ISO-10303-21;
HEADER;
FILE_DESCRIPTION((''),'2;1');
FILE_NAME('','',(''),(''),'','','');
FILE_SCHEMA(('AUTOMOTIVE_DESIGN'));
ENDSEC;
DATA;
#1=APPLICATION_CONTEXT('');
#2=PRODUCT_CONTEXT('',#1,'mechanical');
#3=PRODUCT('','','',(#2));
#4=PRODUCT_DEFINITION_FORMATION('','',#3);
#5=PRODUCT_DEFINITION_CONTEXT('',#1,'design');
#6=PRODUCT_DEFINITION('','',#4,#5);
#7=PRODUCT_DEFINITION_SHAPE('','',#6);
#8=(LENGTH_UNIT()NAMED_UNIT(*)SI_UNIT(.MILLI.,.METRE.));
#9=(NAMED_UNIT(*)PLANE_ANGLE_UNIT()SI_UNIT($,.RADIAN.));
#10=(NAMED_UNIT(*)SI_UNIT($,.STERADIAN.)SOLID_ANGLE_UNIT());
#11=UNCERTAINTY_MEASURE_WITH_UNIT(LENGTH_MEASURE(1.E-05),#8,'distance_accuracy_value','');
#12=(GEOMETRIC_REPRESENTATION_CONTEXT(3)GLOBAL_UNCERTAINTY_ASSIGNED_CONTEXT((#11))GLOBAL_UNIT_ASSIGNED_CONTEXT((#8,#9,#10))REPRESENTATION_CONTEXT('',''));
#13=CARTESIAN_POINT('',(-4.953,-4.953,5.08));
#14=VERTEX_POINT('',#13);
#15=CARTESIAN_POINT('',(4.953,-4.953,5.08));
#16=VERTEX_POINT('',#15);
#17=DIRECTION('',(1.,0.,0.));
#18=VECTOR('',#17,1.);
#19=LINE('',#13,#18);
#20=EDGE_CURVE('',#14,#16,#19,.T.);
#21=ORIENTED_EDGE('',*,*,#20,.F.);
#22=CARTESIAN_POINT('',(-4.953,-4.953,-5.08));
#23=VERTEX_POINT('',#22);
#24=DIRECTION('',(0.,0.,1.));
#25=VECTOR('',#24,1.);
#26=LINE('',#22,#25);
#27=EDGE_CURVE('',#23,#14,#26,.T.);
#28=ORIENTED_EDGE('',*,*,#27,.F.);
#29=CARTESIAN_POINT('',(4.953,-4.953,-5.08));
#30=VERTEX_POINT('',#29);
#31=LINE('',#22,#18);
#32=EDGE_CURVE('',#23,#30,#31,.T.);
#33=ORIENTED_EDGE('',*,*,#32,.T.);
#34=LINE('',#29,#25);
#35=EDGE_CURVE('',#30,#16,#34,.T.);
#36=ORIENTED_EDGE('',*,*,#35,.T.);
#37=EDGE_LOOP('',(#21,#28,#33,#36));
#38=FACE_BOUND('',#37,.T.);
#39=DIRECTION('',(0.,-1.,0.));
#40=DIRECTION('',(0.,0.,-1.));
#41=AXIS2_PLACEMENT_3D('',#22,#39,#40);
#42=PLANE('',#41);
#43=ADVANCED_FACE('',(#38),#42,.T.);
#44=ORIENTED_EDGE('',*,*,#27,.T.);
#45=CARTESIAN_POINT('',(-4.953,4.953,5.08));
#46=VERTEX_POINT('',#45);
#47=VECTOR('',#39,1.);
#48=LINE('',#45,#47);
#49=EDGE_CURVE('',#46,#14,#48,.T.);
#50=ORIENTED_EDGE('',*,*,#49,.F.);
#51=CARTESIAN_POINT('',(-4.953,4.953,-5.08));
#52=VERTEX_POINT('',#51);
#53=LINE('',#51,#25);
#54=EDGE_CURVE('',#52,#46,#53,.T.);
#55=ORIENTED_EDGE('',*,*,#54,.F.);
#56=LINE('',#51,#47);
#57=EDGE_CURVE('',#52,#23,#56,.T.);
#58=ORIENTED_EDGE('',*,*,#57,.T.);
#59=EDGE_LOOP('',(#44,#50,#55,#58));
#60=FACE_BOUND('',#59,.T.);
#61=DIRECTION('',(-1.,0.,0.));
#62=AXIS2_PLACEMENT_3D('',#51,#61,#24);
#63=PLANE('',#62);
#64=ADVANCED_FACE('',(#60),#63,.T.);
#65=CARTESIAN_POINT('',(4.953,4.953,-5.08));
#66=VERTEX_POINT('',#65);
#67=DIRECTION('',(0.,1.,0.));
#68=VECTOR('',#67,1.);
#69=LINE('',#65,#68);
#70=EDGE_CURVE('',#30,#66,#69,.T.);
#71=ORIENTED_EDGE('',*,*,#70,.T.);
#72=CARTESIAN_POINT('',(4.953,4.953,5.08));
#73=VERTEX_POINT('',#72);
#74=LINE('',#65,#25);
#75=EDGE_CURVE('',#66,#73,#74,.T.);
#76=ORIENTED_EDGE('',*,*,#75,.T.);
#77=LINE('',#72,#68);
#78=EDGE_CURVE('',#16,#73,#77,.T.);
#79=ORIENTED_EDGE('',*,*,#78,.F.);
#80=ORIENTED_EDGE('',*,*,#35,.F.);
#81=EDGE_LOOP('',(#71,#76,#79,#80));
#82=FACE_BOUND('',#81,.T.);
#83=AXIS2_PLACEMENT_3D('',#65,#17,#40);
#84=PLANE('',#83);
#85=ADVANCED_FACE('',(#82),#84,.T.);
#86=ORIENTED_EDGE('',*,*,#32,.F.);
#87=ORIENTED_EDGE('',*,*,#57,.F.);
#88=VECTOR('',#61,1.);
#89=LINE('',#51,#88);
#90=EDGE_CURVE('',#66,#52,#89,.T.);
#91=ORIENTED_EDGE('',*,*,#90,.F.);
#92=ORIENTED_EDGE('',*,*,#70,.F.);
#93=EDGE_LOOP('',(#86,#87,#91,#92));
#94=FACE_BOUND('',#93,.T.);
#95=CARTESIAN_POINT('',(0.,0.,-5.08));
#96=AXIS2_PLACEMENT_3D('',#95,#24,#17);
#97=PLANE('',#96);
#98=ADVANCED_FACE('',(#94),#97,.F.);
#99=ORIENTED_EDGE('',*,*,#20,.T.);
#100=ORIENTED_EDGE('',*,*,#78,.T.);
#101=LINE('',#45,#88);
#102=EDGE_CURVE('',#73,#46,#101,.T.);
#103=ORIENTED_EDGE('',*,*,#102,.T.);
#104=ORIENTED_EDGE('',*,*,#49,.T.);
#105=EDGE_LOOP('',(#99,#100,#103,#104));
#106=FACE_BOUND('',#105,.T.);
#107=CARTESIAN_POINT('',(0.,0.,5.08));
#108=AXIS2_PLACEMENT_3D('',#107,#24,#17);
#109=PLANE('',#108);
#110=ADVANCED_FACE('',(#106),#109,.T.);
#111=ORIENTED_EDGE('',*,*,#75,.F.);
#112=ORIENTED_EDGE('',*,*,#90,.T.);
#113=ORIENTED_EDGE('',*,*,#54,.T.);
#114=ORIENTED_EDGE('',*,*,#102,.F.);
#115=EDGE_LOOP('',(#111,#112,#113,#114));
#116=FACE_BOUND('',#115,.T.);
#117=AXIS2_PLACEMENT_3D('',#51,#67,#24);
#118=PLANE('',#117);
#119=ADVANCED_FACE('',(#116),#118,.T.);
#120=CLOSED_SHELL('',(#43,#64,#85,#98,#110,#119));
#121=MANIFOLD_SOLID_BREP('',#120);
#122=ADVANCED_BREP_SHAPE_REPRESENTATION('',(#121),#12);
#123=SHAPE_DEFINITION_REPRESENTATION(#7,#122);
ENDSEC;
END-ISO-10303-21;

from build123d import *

# Parameters (mm, degrees)
Y_KSEKLIK_EKSTR_ZYON1_DEPTH      = 5.08
Y_KSEKLIK_EKSTR_ZYON1_DEPTH_BACK = 5.08
IZIM1_W                          = 9.906
IZIM1_H                          = 9.906


with BuildPart() as part:
    # Çizim1 → Yükseklik-Ekstrüzyon1 (new, two sides: drawn at the far end of the back side and taken through both)
    with BuildSketch(Plane.XY.offset(-Y_KSEKLIK_EKSTR_ZYON1_DEPTH_BACK)):
        Rectangle(IZIM1_W, IZIM1_H)
    extrude(amount=Y_KSEKLIK_EKSTR_ZYON1_DEPTH + Y_KSEKLIK_EKSTR_ZYON1_DEPTH_BACK)


solid = part.part
